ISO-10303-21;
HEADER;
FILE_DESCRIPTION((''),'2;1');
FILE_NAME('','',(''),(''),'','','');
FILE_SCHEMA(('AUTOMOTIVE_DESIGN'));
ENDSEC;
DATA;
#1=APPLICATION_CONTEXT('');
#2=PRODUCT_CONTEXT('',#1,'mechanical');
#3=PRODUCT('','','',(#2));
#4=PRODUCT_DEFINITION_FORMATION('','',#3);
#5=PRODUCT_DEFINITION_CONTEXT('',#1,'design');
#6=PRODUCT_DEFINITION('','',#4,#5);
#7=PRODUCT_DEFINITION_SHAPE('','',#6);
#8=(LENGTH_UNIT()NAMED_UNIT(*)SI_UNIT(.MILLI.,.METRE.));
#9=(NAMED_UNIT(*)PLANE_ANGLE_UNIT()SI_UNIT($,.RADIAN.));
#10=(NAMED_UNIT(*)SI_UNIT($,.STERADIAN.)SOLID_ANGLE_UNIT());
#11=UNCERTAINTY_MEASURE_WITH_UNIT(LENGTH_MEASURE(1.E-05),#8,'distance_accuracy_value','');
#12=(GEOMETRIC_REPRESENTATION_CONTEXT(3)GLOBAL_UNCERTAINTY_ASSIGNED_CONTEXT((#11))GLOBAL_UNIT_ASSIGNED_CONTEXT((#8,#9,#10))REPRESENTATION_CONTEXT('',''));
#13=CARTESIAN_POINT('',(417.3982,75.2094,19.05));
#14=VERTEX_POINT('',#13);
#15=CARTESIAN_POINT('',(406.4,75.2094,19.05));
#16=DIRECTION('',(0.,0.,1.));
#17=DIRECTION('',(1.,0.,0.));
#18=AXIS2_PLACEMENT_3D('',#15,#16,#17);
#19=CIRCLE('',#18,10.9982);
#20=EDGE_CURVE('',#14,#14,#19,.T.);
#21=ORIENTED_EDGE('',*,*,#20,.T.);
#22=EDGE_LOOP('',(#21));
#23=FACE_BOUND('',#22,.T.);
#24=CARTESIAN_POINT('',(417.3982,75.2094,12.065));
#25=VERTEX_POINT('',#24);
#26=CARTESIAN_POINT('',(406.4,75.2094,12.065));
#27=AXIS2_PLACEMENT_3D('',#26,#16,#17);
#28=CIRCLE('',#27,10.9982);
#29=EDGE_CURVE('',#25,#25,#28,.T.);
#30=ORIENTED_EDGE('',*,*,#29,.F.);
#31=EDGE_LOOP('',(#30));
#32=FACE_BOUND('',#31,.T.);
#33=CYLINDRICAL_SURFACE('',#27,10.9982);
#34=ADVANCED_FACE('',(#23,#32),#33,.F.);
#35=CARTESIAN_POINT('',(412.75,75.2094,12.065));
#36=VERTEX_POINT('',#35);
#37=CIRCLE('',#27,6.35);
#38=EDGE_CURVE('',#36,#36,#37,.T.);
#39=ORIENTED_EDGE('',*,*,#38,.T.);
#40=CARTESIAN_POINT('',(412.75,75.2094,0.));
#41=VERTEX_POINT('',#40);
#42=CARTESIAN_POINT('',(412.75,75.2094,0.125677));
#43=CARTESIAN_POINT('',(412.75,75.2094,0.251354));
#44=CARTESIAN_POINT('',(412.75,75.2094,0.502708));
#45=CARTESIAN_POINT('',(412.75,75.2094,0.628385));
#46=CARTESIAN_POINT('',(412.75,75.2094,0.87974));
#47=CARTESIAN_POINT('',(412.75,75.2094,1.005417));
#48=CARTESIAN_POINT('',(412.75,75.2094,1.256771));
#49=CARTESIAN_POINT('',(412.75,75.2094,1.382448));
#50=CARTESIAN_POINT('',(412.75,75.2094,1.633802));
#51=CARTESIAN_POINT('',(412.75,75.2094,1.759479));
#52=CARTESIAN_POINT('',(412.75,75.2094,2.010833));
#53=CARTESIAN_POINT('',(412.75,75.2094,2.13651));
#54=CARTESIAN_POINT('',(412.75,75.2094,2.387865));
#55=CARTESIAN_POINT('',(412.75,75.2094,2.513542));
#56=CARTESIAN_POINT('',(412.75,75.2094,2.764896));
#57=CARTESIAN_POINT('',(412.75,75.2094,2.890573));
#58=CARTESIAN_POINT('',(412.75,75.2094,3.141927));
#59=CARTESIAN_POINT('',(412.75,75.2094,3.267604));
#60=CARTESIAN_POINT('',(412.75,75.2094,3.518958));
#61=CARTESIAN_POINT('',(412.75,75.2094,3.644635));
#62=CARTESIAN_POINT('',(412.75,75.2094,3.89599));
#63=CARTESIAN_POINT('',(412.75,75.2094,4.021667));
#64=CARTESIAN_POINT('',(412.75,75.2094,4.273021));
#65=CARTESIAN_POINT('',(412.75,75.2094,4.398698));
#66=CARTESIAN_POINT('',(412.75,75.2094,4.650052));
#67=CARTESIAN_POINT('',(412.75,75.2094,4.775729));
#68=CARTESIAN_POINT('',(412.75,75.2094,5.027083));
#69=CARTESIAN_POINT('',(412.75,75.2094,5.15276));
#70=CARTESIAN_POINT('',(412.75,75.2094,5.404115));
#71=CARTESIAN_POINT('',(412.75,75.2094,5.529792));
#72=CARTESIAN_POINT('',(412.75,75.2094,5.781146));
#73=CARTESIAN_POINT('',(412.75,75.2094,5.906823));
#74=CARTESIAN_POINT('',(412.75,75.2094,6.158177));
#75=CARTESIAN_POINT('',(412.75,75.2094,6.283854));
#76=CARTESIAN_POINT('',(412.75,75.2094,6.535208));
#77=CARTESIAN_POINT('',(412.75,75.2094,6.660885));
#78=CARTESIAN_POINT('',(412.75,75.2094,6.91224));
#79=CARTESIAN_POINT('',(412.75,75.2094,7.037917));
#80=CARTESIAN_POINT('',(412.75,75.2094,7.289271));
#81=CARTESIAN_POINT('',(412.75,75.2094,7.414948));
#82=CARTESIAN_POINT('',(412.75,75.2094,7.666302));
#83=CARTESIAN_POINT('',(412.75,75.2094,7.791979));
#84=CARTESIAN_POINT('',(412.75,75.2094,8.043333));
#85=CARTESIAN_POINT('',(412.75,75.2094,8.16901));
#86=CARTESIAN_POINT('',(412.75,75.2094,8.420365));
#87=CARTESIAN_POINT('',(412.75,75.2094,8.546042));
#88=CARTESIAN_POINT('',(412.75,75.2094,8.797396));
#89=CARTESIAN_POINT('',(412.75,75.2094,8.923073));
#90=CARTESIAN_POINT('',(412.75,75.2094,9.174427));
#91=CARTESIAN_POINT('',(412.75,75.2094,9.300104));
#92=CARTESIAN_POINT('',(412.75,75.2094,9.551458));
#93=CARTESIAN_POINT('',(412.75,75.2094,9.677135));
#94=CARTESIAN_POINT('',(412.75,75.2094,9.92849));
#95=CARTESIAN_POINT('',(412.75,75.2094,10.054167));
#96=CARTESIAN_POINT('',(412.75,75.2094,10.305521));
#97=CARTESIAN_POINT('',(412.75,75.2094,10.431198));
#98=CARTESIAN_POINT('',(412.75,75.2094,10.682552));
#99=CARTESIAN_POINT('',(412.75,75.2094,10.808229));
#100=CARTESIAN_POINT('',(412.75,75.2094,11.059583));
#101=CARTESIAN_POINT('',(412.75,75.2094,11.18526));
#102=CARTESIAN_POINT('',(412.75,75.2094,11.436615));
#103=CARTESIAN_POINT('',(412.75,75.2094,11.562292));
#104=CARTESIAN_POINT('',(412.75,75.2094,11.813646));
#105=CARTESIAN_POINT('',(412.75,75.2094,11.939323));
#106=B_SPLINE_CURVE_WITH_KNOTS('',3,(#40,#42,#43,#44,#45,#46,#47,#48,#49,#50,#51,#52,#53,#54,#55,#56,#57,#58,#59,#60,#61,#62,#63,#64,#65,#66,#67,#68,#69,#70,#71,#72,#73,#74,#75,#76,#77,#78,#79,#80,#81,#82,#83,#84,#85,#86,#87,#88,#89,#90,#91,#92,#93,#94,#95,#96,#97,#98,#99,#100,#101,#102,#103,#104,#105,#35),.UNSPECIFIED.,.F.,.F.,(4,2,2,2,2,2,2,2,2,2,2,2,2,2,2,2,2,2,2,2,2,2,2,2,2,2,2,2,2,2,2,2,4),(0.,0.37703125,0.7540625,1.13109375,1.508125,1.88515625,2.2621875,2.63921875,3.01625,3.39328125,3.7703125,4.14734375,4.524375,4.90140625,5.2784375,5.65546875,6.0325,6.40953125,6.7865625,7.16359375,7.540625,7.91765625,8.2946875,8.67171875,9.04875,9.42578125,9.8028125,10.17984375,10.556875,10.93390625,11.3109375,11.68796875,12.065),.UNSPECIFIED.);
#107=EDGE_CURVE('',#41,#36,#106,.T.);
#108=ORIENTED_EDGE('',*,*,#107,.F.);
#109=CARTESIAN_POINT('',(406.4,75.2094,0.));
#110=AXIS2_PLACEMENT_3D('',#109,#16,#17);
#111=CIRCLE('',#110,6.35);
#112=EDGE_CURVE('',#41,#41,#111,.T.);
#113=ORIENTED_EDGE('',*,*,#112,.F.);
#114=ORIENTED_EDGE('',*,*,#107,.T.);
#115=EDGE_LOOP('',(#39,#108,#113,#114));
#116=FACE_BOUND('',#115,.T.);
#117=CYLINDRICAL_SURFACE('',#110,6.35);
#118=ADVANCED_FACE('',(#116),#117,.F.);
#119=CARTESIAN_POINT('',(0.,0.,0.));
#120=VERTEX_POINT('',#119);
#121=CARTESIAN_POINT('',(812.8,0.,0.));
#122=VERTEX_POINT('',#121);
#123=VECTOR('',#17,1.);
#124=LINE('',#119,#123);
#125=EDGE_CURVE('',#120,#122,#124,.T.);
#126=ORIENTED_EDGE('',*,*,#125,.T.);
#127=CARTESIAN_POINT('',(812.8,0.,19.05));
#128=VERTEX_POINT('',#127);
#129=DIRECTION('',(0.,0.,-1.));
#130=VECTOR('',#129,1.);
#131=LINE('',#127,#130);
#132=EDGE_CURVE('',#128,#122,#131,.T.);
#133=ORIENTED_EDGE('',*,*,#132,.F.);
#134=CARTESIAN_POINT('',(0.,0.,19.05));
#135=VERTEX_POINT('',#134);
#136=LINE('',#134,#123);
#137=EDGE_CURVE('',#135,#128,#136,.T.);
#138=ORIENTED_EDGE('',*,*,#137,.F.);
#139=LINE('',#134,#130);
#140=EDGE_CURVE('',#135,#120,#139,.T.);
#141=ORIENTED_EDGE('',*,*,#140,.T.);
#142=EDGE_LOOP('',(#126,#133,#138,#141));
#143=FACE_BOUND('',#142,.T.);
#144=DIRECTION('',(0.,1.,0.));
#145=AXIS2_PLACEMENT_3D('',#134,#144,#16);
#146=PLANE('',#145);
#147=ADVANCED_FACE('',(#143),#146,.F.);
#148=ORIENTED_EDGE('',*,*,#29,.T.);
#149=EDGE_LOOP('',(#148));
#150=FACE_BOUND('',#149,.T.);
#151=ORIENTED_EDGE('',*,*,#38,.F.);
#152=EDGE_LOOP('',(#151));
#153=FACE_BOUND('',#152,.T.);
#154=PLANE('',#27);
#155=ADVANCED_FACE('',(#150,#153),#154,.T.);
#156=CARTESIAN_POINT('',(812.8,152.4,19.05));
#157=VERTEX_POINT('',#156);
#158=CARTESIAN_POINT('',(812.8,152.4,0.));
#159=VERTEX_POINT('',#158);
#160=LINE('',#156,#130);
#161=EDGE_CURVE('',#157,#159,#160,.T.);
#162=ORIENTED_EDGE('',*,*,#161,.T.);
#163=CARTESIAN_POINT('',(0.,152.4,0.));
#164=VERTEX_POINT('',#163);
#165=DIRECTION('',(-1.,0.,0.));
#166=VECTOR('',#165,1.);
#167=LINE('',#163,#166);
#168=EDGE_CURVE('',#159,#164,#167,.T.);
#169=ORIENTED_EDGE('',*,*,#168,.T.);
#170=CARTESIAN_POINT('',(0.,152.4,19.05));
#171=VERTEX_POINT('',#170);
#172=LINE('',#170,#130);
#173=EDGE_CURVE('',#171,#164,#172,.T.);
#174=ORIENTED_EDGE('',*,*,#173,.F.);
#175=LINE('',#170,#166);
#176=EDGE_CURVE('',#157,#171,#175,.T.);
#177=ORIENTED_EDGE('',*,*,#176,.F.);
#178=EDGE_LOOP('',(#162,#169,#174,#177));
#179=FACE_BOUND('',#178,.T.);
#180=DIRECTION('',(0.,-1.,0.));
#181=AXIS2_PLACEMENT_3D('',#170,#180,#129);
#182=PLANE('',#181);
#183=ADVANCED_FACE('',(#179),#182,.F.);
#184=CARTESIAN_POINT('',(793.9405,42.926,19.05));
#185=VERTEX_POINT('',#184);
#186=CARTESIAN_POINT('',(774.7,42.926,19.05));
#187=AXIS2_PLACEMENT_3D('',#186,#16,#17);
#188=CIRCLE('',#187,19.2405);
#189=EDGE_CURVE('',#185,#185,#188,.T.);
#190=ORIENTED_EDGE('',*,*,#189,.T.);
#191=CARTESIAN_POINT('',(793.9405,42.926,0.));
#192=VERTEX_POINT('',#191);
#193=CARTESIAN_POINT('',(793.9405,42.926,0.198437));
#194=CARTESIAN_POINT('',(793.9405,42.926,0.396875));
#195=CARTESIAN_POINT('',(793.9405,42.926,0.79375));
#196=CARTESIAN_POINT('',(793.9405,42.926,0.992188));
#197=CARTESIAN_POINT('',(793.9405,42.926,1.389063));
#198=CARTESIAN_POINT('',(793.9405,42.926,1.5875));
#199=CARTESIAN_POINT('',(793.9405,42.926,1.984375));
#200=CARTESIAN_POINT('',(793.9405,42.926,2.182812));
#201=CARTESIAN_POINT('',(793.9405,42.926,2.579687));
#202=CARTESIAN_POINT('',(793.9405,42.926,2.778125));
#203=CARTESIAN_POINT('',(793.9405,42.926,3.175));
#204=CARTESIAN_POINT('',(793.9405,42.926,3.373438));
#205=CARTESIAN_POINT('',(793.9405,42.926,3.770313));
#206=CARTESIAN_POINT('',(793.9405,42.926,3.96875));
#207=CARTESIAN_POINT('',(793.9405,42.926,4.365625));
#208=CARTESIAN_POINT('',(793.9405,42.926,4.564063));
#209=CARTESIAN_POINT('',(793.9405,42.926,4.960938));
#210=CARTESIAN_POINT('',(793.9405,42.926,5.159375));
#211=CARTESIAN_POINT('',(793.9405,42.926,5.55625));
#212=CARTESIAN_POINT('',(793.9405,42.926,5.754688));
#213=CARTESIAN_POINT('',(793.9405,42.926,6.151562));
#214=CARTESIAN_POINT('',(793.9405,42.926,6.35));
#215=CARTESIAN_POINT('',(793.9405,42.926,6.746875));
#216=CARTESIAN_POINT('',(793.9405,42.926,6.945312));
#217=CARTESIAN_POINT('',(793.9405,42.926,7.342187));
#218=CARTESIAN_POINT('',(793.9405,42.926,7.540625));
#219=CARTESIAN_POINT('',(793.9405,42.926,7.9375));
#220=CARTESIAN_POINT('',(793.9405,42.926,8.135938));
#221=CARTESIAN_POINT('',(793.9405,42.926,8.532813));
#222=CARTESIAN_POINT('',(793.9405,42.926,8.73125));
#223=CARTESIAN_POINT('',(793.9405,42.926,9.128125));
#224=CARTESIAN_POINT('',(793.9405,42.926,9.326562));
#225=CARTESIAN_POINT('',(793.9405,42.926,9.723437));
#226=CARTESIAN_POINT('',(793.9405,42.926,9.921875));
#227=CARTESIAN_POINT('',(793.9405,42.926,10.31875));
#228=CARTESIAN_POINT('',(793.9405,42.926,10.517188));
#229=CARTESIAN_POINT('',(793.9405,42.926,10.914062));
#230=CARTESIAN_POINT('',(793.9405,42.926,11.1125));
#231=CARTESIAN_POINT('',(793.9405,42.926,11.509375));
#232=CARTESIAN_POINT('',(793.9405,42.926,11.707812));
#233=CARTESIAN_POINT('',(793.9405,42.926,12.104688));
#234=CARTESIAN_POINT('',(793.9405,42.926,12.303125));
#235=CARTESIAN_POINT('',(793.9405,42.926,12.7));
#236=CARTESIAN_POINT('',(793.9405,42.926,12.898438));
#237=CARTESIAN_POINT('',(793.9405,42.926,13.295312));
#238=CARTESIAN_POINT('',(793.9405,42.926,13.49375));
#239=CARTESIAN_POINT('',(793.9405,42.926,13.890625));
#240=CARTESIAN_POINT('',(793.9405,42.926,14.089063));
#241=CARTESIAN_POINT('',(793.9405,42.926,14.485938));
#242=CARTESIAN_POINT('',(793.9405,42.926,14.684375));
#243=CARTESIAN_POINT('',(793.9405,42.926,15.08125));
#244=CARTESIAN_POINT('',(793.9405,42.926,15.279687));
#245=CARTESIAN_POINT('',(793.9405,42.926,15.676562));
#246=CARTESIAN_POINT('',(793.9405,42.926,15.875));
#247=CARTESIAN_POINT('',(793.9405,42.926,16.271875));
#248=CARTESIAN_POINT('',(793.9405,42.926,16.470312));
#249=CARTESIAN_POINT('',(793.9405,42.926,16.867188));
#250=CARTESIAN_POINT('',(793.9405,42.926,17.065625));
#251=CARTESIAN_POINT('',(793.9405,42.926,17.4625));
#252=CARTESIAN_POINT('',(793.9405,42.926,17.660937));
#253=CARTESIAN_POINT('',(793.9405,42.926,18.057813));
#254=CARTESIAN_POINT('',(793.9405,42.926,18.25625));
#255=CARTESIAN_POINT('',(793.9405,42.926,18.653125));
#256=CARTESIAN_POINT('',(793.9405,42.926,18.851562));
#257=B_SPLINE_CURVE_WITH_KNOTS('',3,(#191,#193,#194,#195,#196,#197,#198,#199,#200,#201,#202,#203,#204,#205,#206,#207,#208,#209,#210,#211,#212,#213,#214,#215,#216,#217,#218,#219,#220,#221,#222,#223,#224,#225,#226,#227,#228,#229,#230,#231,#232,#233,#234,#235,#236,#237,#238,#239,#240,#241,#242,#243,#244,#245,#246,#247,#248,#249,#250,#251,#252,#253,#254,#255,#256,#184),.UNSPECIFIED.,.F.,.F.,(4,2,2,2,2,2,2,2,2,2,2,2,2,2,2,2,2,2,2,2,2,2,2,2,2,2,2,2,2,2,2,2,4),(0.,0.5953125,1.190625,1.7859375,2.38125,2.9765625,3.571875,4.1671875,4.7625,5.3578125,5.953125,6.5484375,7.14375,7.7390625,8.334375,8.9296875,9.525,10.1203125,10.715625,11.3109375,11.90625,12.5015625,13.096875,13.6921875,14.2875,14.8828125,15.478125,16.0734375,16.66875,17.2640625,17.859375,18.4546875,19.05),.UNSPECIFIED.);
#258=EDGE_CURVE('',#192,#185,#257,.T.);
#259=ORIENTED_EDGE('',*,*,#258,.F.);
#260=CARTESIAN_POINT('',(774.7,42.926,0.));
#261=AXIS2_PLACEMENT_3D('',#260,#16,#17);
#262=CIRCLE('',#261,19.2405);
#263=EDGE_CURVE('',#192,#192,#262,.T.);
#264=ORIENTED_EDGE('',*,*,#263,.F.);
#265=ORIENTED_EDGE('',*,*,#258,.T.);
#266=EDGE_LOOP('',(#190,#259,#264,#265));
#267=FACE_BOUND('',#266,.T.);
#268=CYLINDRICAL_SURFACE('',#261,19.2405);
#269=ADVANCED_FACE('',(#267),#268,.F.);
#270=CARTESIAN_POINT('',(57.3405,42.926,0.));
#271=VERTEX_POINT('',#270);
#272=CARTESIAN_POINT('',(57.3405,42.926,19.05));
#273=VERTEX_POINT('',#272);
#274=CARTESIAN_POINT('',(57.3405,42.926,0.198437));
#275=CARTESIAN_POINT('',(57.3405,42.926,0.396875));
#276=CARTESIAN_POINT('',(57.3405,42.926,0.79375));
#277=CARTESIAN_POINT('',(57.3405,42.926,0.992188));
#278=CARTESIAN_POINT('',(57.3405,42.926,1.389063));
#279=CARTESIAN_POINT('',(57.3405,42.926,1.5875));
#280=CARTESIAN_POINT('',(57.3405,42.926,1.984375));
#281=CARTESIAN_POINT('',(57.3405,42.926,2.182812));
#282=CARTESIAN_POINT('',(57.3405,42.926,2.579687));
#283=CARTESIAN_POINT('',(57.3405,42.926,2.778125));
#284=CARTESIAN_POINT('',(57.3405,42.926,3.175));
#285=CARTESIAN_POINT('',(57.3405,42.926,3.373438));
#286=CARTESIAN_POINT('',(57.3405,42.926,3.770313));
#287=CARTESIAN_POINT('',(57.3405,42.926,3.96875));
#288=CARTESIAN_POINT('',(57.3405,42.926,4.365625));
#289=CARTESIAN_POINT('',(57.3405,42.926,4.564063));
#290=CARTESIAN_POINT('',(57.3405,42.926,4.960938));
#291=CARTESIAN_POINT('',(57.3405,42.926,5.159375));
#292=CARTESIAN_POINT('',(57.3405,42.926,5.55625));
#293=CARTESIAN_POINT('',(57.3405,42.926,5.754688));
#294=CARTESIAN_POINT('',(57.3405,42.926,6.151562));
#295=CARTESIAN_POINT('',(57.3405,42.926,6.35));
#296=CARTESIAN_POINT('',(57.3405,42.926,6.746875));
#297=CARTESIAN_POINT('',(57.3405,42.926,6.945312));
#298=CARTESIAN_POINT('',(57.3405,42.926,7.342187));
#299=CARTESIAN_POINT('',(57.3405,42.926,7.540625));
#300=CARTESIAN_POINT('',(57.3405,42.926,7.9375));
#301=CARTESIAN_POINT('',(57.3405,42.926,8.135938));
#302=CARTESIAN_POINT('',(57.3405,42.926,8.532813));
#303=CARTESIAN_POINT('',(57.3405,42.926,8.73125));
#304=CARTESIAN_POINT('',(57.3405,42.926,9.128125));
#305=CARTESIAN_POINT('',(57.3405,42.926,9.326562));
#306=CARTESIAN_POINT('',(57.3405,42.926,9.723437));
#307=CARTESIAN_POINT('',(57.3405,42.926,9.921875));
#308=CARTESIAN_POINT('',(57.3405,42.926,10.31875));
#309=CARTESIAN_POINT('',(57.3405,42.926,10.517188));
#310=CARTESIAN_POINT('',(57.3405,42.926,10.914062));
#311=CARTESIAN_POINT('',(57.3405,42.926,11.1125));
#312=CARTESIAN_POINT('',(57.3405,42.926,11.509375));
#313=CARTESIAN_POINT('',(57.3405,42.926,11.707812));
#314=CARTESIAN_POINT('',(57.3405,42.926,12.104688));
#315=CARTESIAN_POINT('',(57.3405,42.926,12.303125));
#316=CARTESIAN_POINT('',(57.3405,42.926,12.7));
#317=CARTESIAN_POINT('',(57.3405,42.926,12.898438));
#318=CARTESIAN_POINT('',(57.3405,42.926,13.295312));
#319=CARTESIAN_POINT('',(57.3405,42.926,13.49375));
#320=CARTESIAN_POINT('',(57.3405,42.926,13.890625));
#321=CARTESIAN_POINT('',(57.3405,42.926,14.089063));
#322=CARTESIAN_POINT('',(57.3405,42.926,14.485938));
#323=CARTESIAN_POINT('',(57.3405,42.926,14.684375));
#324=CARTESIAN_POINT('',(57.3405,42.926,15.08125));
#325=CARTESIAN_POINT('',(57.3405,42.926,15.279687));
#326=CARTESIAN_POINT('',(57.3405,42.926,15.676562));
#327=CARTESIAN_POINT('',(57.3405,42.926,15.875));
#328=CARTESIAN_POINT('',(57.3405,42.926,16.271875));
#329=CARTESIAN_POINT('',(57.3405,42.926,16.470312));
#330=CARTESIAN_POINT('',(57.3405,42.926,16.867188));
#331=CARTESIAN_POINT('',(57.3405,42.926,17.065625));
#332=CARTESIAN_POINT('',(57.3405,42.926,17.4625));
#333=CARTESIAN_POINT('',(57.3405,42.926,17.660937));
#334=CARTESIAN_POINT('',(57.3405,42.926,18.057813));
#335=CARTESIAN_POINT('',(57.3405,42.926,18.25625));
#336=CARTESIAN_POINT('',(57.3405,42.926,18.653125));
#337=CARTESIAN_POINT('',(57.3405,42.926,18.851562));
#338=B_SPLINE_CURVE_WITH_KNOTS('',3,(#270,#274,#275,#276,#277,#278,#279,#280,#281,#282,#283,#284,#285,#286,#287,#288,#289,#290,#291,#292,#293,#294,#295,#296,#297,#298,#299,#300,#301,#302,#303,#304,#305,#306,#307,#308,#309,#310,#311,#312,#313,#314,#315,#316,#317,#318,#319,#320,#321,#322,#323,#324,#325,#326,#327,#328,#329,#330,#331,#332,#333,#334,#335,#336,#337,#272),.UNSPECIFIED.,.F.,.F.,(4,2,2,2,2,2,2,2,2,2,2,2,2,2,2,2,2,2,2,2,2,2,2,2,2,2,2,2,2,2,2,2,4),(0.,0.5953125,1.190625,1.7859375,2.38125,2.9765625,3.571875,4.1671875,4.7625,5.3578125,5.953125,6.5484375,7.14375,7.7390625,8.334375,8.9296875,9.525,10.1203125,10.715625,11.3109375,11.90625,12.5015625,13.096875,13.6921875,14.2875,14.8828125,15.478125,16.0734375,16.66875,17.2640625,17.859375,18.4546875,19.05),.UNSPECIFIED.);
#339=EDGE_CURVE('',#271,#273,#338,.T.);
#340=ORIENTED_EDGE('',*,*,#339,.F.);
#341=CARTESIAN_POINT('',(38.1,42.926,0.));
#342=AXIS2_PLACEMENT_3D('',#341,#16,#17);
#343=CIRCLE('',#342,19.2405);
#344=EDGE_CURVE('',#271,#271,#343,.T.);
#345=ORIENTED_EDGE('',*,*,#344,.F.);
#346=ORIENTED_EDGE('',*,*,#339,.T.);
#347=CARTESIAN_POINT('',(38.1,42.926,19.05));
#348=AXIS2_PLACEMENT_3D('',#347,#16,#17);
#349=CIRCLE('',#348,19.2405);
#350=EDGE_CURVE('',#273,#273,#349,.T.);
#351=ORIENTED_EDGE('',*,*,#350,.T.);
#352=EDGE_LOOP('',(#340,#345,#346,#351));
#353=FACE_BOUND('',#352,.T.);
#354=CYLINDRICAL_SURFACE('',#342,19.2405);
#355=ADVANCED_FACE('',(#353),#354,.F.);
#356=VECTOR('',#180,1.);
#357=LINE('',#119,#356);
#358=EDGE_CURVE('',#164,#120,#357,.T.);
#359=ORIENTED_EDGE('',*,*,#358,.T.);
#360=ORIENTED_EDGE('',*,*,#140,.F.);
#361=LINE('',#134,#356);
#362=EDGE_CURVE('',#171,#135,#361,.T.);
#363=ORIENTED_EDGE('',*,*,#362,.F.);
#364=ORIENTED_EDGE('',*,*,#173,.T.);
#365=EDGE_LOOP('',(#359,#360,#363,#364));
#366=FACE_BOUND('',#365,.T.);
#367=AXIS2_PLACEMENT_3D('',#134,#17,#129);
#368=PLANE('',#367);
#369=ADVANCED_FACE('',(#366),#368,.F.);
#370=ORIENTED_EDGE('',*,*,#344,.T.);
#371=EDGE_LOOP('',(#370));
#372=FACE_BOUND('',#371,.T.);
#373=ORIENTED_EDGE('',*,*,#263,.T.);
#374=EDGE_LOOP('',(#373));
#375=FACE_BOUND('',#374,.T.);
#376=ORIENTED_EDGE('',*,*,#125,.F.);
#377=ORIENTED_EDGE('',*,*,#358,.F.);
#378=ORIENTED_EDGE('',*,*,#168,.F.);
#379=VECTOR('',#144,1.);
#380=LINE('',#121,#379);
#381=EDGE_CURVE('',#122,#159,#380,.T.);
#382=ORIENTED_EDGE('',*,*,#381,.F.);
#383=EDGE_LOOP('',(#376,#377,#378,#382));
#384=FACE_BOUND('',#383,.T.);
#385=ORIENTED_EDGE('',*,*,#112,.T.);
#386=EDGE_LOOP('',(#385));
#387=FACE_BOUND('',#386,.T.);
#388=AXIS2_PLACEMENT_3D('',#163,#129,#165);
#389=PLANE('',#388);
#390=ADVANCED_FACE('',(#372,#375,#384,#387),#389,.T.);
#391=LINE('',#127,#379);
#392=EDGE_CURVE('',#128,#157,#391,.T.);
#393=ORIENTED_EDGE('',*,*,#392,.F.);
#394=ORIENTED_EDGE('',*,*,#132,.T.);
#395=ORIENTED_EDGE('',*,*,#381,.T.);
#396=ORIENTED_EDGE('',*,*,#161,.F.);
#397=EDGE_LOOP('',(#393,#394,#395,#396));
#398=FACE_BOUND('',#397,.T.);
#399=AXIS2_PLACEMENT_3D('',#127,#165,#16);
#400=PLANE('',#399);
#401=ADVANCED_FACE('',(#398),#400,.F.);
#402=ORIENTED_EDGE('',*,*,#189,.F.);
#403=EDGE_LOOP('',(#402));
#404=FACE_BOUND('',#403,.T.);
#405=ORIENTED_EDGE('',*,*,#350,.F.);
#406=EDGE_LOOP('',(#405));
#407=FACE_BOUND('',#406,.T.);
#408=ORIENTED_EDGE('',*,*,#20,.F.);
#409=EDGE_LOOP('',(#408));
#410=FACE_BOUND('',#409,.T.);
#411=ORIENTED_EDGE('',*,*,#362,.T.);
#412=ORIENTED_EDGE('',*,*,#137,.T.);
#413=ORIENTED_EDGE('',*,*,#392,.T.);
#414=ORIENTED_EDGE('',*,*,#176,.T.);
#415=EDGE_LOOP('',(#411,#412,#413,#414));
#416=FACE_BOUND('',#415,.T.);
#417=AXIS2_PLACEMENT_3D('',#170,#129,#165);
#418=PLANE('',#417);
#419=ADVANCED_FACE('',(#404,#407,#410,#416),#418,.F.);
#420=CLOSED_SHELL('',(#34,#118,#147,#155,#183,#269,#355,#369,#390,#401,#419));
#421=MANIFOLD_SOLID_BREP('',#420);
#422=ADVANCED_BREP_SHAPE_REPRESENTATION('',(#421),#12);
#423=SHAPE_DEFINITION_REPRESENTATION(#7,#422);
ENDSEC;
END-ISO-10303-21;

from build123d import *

# Parameters (mm, degrees)
SKETCH1_W           = 812.8
SKETCH1_H           = 152.4
BOSS_EXTRUDE1_DEPTH = 19.05
SKETCH2_R           = 19.2405
CUT_EXTRUDE1_DEPTH  = 19.05
SKETCH3_R           = 10.9982
CUT_EXTRUDE2_DEPTH  = 6.985
SKETCH4_R           = 6.35
CUT_EXTRUDE3_DEPTH  = 828.052092812


with BuildPart() as part:
    # Sketch1 → Boss-Extrude1 (new body)
    with BuildSketch(Plane.XY):
        with Locations((406.4, 76.2)):
            Rectangle(SKETCH1_W, SKETCH1_H)
    extrude(amount=BOSS_EXTRUDE1_DEPTH)

    # Sketch2 → Cut-Extrude1 (cut)
    with BuildSketch(Plane.XY.offset(19.05)):
        with Locations((38.1, 42.926)):
            Circle(SKETCH2_R)
        with Locations((774.7, 42.926)):
            Circle(SKETCH2_R)
    extrude(amount=-CUT_EXTRUDE1_DEPTH, mode=Mode.SUBTRACT)

    # Sketch3 → Cut-Extrude2 (cut)
    with BuildSketch(Plane.XY.offset(19.05)):
        with Locations((406.4, 75.2094)):
            Circle(SKETCH3_R)
    extrude(amount=-CUT_EXTRUDE2_DEPTH, mode=Mode.SUBTRACT)

    # Sketch4 → Cut-Extrude3 (cut, through all)
    with BuildSketch(Plane.XY.offset(12.065)):
        with Locations((406.4, 75.2094)):
            Circle(SKETCH4_R)
    extrude(amount=-CUT_EXTRUDE3_DEPTH, mode=Mode.SUBTRACT)


solid = part.part
